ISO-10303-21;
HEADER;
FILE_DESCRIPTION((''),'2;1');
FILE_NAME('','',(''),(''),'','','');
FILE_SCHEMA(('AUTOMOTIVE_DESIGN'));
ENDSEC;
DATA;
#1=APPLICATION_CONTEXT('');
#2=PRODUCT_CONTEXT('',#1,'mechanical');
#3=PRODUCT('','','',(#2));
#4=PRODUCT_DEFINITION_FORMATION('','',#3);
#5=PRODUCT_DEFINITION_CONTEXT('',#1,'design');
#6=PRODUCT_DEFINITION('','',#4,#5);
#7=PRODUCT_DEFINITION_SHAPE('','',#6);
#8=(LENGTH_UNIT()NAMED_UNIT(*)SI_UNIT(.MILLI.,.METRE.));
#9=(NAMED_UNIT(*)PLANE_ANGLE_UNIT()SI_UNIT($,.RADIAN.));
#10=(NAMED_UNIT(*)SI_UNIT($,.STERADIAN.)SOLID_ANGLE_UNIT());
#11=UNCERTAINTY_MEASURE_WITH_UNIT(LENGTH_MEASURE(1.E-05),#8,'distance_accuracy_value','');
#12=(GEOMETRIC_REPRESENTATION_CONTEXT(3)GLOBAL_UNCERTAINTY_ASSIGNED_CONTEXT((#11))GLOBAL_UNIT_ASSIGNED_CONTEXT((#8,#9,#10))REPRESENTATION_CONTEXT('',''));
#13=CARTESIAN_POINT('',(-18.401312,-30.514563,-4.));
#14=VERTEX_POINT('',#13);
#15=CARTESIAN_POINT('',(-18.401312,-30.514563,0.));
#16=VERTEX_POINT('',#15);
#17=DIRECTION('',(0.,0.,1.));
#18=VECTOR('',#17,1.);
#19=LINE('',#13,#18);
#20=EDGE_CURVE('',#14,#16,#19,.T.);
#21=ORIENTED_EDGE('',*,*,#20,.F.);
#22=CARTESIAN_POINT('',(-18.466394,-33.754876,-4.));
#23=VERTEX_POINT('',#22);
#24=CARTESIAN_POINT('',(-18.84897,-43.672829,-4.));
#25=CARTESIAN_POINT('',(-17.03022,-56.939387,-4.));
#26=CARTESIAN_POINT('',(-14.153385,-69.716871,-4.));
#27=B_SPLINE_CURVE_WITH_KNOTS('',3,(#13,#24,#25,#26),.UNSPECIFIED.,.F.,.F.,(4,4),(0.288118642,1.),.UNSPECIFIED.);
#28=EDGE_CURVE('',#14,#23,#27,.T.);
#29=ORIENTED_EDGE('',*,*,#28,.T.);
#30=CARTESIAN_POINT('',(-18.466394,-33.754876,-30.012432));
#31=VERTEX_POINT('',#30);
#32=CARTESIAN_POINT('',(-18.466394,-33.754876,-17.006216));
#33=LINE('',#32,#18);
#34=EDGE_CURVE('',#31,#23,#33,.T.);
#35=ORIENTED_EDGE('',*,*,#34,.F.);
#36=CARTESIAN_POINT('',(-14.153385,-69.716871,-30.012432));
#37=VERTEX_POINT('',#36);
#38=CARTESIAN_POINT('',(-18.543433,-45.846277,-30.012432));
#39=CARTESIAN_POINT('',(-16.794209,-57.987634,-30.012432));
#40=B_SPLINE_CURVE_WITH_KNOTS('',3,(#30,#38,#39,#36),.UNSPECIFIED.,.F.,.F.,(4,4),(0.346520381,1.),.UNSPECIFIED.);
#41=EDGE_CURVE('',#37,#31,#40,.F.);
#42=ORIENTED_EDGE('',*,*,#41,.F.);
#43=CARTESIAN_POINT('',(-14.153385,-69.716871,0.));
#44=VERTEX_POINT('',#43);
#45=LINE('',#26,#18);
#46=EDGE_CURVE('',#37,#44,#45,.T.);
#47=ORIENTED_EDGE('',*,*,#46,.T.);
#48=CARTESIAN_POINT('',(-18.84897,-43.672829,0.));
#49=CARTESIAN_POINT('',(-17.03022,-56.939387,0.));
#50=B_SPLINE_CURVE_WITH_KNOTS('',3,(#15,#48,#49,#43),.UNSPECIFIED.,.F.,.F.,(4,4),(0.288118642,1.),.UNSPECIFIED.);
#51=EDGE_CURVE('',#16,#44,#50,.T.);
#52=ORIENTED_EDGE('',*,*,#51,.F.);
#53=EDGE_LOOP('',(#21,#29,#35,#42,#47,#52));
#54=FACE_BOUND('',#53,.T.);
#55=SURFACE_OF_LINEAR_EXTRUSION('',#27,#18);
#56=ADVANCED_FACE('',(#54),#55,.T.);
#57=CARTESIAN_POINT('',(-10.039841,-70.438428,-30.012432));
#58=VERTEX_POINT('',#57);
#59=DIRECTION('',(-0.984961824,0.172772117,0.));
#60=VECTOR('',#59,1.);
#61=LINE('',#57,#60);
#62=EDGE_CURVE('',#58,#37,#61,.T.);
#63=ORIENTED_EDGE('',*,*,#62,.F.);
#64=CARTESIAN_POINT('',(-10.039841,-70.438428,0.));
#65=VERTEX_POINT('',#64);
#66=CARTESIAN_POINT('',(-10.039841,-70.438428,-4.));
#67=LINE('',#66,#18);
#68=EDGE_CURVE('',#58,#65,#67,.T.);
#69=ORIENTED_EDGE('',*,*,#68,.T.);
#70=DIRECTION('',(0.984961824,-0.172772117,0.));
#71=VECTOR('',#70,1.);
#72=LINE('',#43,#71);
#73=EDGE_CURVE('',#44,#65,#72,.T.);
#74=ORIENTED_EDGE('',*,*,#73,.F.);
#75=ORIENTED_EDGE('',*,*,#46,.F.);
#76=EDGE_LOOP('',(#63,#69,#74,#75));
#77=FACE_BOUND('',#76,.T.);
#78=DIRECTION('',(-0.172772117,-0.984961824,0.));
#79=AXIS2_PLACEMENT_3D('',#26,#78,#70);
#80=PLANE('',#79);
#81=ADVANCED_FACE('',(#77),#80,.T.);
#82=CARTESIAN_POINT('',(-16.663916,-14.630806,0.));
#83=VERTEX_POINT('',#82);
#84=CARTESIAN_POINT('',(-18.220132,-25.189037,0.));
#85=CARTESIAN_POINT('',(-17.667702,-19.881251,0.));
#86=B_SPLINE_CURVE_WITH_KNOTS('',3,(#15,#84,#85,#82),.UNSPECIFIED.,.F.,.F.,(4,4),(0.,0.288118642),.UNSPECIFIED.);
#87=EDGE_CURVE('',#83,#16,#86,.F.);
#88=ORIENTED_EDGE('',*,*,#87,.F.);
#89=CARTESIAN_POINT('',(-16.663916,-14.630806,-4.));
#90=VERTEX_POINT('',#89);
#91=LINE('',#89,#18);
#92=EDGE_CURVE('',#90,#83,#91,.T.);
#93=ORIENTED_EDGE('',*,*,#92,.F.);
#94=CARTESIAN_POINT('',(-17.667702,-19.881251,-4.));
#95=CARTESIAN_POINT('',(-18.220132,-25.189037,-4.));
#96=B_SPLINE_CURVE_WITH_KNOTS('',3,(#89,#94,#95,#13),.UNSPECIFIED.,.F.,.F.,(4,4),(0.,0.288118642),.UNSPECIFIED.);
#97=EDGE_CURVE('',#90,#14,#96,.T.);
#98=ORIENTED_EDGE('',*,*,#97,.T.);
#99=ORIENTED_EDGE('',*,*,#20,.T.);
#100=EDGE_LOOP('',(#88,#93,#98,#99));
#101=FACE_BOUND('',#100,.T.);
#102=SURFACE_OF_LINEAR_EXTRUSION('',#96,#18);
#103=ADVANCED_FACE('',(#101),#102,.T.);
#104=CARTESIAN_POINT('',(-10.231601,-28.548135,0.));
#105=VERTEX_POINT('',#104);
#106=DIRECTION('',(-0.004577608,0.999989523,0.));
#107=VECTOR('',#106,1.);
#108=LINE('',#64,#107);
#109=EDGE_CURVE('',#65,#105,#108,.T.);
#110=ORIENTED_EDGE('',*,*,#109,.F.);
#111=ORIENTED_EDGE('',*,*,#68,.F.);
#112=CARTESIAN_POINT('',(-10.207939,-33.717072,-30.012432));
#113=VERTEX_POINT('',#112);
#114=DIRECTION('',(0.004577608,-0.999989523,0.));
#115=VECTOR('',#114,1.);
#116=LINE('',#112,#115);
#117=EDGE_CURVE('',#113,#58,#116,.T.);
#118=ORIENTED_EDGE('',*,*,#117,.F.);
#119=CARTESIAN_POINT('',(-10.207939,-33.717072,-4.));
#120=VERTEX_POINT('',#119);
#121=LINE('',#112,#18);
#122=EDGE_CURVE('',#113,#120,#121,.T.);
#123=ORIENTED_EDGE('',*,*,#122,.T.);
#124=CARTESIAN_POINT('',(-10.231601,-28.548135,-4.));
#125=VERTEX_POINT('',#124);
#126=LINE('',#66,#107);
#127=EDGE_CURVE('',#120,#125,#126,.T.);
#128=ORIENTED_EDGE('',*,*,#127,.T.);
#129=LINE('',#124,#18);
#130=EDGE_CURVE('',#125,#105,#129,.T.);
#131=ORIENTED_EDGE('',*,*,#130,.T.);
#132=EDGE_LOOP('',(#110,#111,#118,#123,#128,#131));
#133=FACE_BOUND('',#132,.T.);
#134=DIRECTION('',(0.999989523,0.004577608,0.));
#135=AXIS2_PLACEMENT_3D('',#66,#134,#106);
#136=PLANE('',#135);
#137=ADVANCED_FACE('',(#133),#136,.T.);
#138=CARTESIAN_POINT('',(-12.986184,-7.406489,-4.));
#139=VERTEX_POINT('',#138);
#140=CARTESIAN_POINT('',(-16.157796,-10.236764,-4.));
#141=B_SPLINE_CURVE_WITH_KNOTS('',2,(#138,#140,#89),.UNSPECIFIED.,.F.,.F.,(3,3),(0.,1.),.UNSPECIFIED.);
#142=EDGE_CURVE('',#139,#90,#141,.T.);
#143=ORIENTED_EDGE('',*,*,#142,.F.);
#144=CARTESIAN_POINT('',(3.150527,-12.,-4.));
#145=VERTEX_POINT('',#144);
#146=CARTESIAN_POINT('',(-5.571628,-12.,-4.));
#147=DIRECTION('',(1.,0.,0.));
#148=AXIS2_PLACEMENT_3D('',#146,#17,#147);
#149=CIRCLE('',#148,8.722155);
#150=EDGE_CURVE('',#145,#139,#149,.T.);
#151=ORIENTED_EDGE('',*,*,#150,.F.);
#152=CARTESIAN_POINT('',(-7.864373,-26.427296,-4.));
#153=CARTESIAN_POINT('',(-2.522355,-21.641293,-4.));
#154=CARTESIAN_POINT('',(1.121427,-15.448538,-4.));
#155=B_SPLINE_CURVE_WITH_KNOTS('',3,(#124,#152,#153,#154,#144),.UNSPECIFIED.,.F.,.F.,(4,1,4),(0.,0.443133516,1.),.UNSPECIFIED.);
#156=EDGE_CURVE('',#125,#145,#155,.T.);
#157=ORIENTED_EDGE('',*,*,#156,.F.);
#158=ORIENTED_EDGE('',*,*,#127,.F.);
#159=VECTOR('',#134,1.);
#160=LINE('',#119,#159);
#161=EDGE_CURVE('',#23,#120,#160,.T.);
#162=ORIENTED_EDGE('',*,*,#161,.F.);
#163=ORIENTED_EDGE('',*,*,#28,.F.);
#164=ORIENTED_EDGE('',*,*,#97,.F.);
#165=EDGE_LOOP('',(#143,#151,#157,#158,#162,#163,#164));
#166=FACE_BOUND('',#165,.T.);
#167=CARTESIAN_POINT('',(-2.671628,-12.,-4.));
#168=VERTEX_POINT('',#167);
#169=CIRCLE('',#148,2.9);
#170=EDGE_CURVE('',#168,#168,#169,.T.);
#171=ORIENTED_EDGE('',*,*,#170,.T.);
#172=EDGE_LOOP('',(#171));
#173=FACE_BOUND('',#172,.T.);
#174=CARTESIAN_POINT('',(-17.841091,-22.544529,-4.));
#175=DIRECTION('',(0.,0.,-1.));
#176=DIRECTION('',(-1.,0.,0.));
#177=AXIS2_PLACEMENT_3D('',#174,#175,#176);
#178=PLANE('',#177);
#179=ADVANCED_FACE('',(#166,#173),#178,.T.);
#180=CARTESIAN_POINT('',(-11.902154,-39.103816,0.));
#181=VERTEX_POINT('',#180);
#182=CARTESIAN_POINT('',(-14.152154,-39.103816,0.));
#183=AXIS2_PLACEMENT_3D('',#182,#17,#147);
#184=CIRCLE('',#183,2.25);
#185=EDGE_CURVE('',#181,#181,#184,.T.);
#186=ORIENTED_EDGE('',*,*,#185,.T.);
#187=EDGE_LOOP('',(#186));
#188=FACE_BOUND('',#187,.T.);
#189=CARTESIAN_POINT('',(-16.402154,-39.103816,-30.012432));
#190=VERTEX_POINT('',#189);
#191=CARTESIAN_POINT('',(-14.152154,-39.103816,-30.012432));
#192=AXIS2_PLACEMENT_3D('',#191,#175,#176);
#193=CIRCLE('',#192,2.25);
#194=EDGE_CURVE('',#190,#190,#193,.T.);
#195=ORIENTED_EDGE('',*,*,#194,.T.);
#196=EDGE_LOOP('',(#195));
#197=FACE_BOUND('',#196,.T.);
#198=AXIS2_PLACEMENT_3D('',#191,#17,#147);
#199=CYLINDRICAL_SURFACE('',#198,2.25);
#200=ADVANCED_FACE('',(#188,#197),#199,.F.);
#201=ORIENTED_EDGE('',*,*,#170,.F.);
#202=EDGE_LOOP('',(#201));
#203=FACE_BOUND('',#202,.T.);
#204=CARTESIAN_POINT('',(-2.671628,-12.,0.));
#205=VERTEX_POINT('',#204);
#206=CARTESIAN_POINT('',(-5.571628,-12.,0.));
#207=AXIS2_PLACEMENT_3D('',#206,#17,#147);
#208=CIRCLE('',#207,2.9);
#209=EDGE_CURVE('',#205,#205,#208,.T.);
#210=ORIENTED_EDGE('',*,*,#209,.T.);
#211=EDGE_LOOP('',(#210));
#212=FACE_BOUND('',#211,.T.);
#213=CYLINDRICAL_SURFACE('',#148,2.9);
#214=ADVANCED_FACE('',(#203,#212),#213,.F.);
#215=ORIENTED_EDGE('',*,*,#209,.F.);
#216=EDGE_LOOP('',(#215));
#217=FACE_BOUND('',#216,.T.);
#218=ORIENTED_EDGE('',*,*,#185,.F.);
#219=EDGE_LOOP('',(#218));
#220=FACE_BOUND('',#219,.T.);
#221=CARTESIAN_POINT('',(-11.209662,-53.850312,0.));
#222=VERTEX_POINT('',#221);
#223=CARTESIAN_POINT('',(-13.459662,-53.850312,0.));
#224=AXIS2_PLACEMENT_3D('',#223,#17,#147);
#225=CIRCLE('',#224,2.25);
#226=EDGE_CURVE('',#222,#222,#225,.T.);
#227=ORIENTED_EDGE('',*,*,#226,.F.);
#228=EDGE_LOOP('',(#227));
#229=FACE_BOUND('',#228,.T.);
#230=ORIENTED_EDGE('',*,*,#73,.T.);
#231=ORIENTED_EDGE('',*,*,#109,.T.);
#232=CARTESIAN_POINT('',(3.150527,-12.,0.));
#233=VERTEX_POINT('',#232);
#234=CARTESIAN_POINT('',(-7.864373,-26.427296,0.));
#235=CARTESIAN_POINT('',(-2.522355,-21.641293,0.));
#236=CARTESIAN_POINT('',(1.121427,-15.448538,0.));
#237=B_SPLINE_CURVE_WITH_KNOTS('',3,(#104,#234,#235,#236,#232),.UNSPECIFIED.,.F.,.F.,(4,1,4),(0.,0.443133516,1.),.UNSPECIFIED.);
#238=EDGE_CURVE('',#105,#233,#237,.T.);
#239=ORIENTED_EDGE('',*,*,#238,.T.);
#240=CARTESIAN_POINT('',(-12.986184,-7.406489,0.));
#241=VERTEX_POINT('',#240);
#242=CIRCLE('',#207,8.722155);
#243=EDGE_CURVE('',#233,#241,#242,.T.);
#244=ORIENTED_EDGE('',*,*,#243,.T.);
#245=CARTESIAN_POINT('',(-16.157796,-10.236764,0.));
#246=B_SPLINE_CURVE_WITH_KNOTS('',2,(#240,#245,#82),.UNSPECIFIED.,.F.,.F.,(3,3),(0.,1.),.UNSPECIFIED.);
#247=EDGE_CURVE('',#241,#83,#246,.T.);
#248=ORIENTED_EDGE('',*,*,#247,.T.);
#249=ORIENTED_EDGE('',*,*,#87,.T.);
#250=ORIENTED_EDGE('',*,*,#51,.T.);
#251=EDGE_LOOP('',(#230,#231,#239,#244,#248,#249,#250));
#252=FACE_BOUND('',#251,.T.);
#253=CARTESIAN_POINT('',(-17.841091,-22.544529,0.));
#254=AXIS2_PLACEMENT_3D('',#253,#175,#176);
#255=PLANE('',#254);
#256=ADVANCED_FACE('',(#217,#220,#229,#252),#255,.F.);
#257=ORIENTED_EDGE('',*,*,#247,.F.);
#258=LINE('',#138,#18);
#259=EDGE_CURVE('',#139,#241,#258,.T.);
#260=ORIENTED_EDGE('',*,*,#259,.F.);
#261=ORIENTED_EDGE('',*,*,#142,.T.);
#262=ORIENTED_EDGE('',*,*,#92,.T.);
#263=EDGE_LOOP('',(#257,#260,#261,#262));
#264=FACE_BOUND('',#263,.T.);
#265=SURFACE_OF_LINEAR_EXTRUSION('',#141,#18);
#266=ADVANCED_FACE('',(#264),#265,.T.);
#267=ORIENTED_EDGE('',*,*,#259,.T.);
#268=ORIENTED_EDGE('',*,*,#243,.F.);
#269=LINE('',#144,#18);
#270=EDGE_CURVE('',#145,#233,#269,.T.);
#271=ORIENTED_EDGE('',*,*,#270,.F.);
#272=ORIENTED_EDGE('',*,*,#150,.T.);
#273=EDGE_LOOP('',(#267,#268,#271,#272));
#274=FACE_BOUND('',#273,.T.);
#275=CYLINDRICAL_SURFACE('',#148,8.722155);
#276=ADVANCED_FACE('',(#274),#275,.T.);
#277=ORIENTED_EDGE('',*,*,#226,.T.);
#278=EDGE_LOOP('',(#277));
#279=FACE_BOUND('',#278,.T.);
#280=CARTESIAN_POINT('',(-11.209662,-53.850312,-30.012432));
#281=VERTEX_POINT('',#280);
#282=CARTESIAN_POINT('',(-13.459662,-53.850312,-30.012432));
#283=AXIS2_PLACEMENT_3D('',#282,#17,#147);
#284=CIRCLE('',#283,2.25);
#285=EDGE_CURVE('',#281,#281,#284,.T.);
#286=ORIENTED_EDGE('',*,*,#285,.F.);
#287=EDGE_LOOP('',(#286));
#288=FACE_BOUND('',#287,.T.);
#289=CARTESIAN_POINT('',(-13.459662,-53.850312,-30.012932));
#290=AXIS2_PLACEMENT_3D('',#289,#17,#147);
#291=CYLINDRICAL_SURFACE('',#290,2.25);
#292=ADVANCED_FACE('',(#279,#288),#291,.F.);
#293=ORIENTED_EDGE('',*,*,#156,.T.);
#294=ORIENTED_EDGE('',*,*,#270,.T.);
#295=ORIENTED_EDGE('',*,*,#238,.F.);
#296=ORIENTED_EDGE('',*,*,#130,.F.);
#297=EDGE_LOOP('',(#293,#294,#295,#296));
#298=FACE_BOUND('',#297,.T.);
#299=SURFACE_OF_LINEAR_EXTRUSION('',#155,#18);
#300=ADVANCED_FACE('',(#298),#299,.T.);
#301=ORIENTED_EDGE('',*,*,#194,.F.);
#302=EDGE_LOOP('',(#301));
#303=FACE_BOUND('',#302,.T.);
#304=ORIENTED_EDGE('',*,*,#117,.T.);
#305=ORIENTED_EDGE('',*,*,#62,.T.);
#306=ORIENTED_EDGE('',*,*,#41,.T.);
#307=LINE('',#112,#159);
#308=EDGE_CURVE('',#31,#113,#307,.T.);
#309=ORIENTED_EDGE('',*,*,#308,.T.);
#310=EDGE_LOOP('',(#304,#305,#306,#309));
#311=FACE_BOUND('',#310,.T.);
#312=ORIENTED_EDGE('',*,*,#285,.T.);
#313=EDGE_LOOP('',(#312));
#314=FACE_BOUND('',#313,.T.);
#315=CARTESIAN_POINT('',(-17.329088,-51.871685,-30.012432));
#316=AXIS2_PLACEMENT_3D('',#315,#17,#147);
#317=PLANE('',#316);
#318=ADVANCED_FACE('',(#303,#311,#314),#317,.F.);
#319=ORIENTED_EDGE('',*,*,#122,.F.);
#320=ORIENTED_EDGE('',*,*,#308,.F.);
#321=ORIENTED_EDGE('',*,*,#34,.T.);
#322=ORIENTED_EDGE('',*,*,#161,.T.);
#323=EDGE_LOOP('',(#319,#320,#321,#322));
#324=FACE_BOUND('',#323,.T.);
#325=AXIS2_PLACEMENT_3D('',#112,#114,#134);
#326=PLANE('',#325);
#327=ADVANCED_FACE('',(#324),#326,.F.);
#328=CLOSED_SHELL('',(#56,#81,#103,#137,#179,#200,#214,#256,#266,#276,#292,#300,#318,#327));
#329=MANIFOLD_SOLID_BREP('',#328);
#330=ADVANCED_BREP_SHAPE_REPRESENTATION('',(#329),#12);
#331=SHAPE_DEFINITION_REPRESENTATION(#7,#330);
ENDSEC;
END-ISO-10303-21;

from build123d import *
from build123d.topology import SkipClean

# Parameters (mm, degrees)
SKETCH1_R           = 2.9
BOSS_EXTRUDE1_DEPTH = 4
SKETCH2_R           = 2.25
BOSS_EXTRUDE2_DEPTH = 26.012432
SKETCH3_R           = 2.25
CUT_EXTRUDE1_DEPTH  = 79.761768867


with BuildPart() as part:
    # Sketch1 → Boss-Extrude1 (new body)
    with BuildSketch(Plane.XY):
        with BuildLine():
            Line((-14.153385189, -69.716871134), (-10.039841479, -70.438427685))
            Line((-10.039841479, -70.438427685), (-10.231600818, -28.548135162))
            add(Edge.make_bspline(
                [(3.150526507, -12), (1.121426745, -15.448537633), (-2.522354698, -21.641292501), (-7.864373324, -26.42729642), (-10.231600818, -28.548135162)],
                knots=[0, 0, 0, 0, 0.556866484, 1, 1, 1, 1], degree=3))
            ThreePointArc((3.150526507, -12), (-3.18362895, -3.611112101), (-12.986183722, -7.406488955))
            add(Edge.make_bspline(
                [(-16.663916234, -14.630806425), (-16.157795835, -10.23676377), (-12.986183722, -7.406488955)],
                knots=[0, 0, 0, 1, 1, 1], degree=2))
            add(Edge.make_bspline(
                [(-16.663916234, -14.630806425), (-17.667702323, -19.881251045), (-18.220131563, -25.189037493), (-18.401311599, -30.514562532)],
                knots=[0, 0, 0, 0, 0.288118642, 0.288118642, 0.288118642, 0.288118642], degree=3))
            add(Edge.make_bspline(
                [(-18.401311599, -30.514562532), (-18.848969857, -43.672829442), (-17.03022033, -56.93938717), (-14.153385189, -69.716871134)],
                knots=[0.288118642, 0.288118642, 0.288118642, 0.288118642, 1, 1, 1, 1], degree=3))
        make_face()
        with Locations((-5.571628032, -12)):
            Circle(SKETCH1_R, mode=Mode.SUBTRACT)
    extrude(amount=-BOSS_EXTRUDE1_DEPTH)

    # Sketch2 → Boss-Extrude2 (add)
    with BuildSketch(Plane(origin=(0, 0, -4), x_dir=(-1, 0, 0), z_dir=(0, 0, -1))):
        with BuildLine():
            Line((10.207939206, -33.717071631), (18.466393507, -33.754875992))
            add(Edge.make_bspline(
                [(14.153385189, -69.716871134), (16.794208846, -57.987633874), (18.543433317, -45.846277061), (18.466393507, -33.754875992)],
                knots=[0.288118642, 0.288118642, 0.288118642, 0.288118642, 0.941598261, 0.941598261, 0.941598261, 0.941598261], degree=3))
            Line((14.153385189, -69.716871134), (10.039841479, -70.438427685))
            Line((10.039841479, -70.438427685), (10.207939206, -33.717071631))
        make_face()
        with Locations((14.152153946, -39.103816176)):
            Circle(SKETCH2_R, mode=Mode.SUBTRACT)
    extrude(amount=BOSS_EXTRUDE2_DEPTH)

    # Sketch3 → Cut-Extrude1 (cut, through all)
    with SkipClean():  # the faces are left unmerged after this step: merging them gives an invalid solid
        with BuildSketch(Plane.XY):
            with Locations((-13.459661862, -53.850312066)):
                Circle(SKETCH3_R)
            with Locations((-14.152153946, -39.103816176)):
                Circle(SKETCH3_R)
        extrude(amount=-CUT_EXTRUDE1_DEPTH, mode=Mode.SUBTRACT)


solid = part.part
